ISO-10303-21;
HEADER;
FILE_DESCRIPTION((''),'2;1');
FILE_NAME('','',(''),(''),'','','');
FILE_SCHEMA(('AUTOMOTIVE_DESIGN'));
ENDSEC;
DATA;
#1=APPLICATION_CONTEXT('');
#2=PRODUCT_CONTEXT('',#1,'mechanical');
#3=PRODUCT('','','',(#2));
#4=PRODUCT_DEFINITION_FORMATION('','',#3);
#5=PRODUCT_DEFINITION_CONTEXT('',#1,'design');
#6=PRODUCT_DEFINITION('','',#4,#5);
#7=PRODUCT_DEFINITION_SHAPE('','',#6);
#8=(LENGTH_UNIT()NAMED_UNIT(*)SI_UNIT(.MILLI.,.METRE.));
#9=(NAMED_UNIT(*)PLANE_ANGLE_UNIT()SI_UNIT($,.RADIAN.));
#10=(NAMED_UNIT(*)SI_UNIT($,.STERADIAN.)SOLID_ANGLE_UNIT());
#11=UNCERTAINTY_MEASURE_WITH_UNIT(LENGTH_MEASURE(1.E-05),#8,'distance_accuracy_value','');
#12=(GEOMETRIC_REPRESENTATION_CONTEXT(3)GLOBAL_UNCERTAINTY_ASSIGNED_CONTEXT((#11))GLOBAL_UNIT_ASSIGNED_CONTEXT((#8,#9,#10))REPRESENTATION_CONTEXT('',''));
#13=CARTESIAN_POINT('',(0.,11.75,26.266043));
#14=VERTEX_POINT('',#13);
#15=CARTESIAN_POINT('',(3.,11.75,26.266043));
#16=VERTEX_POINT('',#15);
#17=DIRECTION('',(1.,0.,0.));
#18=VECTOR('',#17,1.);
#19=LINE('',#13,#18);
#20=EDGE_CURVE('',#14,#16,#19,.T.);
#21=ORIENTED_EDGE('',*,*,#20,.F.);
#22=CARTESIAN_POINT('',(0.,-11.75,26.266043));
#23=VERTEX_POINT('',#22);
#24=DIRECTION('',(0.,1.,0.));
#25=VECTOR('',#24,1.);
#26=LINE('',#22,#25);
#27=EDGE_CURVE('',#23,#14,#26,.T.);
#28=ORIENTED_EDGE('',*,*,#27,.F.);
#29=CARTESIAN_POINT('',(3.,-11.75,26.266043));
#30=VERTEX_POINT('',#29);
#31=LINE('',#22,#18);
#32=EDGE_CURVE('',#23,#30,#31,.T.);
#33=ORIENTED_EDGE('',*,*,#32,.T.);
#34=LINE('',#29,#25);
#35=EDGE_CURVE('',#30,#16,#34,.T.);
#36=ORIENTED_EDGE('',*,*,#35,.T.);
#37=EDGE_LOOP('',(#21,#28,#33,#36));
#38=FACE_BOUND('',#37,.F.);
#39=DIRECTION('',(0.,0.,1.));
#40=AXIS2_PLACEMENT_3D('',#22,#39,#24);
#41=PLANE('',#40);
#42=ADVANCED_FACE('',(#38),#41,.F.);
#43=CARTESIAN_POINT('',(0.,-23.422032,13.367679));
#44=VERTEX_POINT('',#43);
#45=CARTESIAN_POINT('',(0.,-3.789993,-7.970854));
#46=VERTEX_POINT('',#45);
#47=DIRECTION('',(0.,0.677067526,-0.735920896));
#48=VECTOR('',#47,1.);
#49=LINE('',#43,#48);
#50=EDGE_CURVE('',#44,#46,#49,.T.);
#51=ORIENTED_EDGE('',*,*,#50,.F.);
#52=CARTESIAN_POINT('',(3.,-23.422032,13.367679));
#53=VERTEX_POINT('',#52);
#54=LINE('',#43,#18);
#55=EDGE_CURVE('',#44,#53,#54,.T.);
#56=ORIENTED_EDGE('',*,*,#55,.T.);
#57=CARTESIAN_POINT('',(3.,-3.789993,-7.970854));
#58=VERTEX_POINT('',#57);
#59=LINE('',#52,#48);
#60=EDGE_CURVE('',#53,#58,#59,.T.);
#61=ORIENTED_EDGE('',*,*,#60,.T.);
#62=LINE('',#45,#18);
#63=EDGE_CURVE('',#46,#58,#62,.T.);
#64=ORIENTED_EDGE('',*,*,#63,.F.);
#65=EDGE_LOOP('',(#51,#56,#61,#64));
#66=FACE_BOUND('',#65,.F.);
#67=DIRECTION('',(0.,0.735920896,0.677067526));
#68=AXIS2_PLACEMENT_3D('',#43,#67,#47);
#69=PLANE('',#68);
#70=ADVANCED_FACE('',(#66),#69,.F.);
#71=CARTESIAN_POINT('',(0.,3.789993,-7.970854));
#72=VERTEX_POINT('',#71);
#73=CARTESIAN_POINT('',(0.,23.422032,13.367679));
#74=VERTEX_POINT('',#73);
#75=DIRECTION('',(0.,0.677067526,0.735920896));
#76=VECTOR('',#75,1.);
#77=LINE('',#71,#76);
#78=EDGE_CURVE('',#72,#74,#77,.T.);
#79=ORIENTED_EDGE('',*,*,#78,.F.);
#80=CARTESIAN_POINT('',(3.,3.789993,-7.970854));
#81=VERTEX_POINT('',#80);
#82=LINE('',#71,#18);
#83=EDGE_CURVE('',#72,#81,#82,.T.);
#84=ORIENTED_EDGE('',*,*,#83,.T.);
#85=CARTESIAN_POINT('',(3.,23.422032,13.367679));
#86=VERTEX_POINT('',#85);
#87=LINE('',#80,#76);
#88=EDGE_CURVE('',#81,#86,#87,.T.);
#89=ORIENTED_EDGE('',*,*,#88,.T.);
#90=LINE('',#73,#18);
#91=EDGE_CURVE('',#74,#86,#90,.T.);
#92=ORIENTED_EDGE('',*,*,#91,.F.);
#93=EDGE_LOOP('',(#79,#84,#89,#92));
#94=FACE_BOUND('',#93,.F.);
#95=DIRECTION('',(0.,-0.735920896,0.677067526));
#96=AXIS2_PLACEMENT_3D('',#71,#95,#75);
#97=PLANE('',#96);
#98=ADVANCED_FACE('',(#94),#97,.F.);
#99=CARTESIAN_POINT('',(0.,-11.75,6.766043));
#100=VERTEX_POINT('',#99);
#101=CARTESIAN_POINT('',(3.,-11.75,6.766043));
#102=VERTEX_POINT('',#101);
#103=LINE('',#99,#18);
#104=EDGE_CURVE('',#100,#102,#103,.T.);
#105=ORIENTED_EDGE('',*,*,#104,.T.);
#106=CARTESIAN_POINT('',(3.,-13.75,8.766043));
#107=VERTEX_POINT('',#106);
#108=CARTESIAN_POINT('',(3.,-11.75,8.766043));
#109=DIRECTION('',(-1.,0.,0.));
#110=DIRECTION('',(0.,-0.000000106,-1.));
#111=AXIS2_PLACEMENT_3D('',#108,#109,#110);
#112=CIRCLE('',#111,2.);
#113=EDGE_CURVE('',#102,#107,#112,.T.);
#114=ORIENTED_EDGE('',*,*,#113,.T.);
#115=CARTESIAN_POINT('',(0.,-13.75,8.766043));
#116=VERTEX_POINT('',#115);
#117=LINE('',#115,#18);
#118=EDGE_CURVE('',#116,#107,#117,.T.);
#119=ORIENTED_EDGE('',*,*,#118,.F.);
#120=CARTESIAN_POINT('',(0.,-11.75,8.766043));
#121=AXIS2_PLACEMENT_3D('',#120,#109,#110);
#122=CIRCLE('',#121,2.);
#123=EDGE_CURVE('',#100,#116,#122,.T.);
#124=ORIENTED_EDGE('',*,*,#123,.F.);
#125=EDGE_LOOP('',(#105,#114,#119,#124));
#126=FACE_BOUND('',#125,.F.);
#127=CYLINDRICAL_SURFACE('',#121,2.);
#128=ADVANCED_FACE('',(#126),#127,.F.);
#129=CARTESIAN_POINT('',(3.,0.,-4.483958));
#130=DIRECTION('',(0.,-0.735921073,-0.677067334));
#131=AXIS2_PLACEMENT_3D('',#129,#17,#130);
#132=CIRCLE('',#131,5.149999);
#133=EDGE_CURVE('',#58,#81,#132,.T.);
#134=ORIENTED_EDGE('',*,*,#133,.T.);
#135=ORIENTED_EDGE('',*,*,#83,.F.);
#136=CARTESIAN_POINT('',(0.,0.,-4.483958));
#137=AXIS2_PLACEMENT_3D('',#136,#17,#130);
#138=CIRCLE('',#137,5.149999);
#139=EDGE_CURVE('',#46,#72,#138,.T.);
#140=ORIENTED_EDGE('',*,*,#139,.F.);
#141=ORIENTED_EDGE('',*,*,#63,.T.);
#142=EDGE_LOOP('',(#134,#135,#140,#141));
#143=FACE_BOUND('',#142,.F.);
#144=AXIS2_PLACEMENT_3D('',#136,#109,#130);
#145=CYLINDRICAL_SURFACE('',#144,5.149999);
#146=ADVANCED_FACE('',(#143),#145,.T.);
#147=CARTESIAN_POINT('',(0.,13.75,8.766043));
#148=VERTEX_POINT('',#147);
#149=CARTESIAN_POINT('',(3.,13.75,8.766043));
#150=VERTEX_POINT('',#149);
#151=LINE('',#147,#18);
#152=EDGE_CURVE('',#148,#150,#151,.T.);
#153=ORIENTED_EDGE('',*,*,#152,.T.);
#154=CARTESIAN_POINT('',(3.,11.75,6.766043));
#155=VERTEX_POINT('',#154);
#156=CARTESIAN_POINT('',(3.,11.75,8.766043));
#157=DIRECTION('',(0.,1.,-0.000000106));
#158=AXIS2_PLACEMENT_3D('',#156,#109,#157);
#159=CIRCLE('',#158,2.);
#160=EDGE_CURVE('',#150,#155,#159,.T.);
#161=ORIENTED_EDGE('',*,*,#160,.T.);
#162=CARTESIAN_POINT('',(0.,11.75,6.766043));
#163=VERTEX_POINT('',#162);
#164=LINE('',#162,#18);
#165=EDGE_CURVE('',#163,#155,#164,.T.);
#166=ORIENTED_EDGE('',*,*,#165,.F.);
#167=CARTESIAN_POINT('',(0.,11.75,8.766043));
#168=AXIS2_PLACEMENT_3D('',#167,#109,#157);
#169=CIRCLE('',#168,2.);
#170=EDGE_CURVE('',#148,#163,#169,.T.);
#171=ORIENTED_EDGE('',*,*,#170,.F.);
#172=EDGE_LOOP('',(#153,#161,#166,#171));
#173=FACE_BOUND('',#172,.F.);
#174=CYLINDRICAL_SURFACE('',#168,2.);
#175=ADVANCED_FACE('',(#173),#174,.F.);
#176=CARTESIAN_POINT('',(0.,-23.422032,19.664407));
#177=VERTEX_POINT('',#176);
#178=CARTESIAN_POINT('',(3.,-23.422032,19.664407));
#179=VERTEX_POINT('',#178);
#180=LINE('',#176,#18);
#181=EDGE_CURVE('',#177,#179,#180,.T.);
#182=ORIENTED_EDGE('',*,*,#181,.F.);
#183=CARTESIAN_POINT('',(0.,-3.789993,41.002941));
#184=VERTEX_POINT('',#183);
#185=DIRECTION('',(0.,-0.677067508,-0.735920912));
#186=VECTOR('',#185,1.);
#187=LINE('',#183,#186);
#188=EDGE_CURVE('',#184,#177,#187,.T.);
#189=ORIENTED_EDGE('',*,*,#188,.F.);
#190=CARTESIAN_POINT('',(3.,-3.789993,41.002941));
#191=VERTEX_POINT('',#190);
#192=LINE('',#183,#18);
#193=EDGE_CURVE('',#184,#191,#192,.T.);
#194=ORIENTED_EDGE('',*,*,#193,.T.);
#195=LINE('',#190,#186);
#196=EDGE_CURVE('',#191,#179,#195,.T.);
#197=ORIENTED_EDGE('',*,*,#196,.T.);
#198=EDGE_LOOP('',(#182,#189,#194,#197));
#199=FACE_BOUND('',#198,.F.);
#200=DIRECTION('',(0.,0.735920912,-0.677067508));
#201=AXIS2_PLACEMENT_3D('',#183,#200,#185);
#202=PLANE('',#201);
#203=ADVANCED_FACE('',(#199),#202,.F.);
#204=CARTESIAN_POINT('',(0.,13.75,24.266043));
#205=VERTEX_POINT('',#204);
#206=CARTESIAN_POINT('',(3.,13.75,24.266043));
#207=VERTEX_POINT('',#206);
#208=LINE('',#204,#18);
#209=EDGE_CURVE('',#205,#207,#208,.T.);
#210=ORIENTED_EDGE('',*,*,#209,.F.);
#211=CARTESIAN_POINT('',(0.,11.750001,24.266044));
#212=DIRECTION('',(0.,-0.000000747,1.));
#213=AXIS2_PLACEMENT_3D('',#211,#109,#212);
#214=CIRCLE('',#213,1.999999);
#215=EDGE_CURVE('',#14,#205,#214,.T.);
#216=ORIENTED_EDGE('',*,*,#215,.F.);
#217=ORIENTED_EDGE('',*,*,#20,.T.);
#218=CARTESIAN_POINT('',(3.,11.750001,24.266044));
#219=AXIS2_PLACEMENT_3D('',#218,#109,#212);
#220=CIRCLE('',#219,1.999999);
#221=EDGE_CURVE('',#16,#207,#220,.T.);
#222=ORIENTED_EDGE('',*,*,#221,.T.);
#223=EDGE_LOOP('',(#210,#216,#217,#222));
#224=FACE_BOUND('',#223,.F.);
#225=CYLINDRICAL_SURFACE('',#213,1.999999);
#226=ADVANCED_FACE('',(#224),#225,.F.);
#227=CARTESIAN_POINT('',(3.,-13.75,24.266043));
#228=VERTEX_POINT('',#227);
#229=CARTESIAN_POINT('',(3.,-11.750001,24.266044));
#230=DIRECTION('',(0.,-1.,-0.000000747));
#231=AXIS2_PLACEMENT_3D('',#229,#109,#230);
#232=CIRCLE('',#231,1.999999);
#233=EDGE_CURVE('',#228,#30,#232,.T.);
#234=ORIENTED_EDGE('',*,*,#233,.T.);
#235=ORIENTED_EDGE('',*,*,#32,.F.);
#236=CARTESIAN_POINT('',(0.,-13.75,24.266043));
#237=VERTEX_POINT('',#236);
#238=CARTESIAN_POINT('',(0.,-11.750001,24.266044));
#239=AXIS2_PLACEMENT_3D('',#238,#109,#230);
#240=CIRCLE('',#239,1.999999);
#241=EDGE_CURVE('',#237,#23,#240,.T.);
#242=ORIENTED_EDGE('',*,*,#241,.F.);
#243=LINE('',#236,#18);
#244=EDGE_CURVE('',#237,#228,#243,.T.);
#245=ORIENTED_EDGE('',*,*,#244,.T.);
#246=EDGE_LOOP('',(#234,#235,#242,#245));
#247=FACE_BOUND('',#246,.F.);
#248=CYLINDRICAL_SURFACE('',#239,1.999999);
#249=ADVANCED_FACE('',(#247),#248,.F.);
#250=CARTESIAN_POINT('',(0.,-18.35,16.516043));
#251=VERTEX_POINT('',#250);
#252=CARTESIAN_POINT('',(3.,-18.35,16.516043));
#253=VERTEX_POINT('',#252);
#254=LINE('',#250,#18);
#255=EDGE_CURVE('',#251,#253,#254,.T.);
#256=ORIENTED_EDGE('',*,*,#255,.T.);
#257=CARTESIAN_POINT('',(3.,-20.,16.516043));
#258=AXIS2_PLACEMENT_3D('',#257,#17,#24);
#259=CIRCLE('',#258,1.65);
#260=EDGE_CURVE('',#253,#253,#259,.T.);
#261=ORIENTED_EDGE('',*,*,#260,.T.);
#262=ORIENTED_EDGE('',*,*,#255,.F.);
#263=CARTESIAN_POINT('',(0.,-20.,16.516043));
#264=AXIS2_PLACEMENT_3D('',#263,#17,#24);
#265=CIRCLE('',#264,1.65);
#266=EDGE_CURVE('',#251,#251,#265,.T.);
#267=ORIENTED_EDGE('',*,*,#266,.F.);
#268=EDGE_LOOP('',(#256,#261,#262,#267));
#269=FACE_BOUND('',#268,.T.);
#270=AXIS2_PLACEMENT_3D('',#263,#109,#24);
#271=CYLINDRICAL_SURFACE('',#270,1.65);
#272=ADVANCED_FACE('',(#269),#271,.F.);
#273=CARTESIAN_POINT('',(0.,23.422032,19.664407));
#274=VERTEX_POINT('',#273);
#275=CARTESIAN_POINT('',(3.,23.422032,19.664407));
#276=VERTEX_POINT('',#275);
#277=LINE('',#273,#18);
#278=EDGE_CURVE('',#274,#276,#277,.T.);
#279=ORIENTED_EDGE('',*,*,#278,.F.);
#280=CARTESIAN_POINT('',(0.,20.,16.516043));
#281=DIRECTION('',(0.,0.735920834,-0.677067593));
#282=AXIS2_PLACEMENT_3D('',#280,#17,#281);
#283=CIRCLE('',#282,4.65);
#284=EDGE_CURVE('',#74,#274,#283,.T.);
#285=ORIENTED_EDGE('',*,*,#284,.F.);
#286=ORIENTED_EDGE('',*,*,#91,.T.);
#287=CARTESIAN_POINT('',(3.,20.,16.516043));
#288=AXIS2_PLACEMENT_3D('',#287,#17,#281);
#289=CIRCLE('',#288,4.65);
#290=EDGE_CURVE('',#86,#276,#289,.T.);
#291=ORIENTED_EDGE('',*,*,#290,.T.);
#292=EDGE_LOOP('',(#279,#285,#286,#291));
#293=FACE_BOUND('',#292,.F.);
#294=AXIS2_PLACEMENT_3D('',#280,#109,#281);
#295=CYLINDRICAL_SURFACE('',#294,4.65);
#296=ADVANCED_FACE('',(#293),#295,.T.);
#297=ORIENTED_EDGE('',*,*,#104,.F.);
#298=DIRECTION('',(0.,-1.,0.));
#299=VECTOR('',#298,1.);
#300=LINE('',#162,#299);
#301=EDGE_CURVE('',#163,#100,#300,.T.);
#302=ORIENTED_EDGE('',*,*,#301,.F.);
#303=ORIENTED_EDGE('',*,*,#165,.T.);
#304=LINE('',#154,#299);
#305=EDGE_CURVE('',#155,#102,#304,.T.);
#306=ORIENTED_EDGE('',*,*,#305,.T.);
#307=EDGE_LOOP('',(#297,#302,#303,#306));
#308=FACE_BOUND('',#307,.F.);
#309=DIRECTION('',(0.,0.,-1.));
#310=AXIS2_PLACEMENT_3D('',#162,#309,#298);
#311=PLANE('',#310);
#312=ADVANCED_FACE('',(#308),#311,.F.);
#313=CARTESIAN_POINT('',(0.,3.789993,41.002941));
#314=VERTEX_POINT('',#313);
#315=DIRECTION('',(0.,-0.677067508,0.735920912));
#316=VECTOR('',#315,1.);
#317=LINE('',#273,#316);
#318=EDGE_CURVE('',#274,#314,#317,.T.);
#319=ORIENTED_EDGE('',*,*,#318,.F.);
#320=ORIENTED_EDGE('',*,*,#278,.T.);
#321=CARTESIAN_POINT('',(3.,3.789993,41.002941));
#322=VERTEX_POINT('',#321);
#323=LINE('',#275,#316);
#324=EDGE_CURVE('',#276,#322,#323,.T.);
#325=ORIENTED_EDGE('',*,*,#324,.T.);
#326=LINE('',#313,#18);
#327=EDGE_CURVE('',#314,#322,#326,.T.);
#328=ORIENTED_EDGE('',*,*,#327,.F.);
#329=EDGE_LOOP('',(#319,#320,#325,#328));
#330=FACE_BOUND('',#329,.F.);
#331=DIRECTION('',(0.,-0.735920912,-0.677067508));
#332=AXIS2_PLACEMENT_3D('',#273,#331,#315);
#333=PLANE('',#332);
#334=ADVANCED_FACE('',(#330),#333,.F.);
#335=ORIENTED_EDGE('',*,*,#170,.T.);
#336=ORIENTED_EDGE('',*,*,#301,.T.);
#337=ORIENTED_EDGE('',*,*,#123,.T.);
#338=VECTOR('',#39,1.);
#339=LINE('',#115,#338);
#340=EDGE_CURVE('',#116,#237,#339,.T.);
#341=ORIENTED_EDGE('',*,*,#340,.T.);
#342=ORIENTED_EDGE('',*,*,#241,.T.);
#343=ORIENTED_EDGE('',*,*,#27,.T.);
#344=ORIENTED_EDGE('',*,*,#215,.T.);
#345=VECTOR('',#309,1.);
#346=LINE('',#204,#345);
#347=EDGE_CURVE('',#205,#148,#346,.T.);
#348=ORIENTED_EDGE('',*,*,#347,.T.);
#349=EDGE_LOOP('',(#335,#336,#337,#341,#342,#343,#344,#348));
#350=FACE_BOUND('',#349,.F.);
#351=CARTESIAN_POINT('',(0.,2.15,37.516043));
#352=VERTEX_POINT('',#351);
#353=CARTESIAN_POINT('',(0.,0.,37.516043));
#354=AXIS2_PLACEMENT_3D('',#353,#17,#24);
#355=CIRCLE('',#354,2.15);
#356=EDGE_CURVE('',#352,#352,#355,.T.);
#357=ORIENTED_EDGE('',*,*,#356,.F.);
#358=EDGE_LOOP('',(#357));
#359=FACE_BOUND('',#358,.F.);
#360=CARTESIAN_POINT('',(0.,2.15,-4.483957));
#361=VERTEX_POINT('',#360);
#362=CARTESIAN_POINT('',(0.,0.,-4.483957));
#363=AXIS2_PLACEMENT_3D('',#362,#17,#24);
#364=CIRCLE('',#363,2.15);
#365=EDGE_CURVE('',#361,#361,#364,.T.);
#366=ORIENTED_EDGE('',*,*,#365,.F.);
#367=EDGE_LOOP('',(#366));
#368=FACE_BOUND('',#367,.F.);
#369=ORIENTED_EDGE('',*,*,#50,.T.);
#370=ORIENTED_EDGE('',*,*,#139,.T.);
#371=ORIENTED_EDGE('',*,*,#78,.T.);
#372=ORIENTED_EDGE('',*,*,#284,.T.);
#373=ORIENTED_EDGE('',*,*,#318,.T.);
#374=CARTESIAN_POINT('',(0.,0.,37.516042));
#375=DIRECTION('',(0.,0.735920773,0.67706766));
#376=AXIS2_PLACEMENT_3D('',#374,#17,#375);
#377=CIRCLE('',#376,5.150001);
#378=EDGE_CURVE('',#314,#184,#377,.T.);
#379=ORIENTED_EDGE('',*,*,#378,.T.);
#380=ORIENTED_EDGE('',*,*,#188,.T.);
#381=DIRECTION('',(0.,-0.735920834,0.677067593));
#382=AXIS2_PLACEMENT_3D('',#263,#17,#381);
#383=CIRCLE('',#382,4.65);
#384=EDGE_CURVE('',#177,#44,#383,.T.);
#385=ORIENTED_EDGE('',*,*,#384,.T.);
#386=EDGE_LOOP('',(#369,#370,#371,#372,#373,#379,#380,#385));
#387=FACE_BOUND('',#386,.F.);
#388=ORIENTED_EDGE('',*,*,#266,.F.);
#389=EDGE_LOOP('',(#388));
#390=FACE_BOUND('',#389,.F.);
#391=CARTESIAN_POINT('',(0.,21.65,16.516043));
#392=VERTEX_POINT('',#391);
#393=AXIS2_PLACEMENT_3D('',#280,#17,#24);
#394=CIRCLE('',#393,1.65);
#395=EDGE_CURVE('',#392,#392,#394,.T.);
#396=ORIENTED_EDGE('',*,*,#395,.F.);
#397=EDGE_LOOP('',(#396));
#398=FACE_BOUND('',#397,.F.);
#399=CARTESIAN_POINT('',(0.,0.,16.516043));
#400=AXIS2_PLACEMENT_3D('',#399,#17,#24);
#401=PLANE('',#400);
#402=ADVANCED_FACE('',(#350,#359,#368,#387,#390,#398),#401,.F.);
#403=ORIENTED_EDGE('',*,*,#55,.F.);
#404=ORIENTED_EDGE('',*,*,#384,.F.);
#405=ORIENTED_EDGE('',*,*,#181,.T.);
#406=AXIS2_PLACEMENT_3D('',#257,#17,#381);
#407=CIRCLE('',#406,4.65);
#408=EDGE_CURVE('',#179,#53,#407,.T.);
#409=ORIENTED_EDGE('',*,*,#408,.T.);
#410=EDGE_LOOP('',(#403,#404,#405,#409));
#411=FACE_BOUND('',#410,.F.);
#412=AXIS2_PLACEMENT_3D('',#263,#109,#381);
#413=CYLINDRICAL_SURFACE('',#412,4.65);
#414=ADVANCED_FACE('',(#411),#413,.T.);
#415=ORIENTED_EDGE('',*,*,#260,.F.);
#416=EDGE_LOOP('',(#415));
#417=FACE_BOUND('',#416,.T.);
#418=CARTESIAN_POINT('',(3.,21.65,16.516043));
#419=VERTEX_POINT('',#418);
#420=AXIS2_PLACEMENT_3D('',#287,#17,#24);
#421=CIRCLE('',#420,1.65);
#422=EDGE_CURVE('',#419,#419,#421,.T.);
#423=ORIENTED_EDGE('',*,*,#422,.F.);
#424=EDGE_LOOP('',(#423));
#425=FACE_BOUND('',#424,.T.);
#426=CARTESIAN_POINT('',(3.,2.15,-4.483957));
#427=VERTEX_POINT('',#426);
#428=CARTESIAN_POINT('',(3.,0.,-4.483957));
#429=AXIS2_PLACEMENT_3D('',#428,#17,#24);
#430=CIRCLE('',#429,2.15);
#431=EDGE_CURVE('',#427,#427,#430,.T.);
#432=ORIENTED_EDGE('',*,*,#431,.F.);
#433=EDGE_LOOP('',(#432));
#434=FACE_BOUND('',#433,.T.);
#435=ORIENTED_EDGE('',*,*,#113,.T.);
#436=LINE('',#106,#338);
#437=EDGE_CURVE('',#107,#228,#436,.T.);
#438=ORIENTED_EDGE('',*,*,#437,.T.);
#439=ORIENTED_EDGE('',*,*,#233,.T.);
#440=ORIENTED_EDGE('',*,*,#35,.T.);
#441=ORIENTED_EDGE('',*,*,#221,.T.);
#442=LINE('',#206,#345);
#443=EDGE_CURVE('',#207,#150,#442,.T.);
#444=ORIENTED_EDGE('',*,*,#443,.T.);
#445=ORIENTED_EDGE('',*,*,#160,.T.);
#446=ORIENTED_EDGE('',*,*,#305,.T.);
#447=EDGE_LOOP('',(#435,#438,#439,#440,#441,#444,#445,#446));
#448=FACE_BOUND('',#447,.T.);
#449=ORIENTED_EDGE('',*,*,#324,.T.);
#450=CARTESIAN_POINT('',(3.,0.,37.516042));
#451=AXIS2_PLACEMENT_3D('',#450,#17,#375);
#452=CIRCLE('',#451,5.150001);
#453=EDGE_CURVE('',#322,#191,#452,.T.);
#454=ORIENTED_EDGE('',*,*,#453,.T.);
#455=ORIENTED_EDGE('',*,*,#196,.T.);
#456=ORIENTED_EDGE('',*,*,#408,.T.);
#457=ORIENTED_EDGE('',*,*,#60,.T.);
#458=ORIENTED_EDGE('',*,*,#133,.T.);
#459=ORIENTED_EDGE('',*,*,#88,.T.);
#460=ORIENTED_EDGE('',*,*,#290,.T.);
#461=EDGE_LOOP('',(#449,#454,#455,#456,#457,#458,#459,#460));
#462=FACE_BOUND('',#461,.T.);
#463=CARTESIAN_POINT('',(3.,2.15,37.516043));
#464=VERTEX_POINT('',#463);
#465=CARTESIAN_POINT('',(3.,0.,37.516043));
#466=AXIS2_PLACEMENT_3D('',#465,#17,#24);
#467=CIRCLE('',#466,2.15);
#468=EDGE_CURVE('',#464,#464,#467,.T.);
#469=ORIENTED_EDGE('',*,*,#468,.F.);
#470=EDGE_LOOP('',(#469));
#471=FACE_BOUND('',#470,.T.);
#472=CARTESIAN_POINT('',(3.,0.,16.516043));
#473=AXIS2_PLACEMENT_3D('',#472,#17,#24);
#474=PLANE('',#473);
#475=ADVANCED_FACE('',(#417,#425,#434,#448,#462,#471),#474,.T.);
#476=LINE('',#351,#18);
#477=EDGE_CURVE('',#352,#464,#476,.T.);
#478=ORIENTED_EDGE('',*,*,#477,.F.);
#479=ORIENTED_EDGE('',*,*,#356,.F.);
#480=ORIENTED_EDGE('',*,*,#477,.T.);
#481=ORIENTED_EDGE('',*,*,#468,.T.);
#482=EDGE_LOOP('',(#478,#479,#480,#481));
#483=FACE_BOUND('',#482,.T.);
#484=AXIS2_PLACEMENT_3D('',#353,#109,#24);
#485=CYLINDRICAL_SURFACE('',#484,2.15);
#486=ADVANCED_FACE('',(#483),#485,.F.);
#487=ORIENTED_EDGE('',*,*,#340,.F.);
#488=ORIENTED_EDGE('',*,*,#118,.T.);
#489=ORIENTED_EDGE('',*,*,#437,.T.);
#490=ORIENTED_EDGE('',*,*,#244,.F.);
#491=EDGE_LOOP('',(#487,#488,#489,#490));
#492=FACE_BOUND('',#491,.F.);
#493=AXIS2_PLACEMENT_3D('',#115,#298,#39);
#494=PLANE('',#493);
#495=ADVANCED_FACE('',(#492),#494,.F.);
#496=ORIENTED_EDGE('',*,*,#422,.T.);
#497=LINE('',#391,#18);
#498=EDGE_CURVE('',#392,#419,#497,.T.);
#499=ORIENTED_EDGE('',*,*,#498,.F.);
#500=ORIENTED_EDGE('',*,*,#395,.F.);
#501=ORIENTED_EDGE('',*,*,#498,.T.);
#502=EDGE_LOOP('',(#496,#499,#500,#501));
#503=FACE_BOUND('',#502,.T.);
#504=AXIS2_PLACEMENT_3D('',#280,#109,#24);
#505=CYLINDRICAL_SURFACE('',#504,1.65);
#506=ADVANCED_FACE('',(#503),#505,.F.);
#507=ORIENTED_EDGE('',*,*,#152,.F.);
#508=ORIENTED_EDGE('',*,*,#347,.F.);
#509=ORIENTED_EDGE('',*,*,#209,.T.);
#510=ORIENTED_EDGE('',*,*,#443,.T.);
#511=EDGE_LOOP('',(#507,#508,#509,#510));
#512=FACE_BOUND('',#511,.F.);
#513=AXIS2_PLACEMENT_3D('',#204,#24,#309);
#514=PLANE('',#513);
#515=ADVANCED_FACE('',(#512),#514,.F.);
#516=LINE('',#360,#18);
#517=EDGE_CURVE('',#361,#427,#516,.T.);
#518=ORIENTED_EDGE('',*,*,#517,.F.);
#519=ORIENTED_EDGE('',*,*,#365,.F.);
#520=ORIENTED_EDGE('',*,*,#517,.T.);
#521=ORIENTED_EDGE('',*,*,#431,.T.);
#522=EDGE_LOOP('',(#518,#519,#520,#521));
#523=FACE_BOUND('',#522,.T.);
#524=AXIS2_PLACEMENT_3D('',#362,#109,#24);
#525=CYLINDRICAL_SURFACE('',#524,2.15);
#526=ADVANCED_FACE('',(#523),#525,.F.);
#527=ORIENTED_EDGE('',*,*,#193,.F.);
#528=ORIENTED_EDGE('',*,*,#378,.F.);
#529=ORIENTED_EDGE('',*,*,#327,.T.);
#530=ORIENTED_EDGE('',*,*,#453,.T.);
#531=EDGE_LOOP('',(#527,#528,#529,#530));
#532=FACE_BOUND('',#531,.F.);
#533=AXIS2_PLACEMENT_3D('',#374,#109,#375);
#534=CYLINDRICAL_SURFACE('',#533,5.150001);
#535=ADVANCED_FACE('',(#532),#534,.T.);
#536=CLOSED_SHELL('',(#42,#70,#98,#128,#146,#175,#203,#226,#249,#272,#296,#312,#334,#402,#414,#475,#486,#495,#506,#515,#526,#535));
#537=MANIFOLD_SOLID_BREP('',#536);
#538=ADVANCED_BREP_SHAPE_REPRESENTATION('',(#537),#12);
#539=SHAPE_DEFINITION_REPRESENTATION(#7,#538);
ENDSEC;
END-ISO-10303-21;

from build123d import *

# Parameters (mm, degrees)
F0_R     = 2.15
F0_R_2   = 1.65
F1_DEPTH = 3


with BuildPart() as f1:
    # F0 (on Right) → F1 (new body)
    with BuildSketch(Plane.YZ):
        with BuildLine():
            Line((23.422032, 19.664407), (3.789993, 41.002941))
            ThreePointArc((3.789993, 41.002941), (0, 42.666043), (-3.789993, 41.002941))
            Line((-3.789993, 41.002941), (-23.422032, 19.664407))
            ThreePointArc((-23.422032, 19.664407), (-24.65, 16.516043), (-23.422032, 13.367679))
            Line((-23.422032, 13.367679), (-3.789993, -7.970854))
            ThreePointArc((-3.789993, -7.970854), (0, -9.633957), (3.789993, -7.970854))
            Line((3.789993, -7.970854), (23.422032, 13.367679))
            ThreePointArc((23.422032, 13.367679), (24.65, 16.516043), (23.422032, 19.664407))
        make_face()
        with Locations((0, -4.483957)):
            Circle(F0_R, mode=Mode.SUBTRACT)
        with Locations((-20, 16.516043)):
            Circle(F0_R_2, mode=Mode.SUBTRACT)
        with BuildLine():
            ThreePointArc((-13.75, 24.266043), (-13.164214, 25.680257), (-11.75, 26.266043))
            Line((-11.75, 26.266043), (11.75, 26.266043))
            ThreePointArc((11.75, 26.266043), (13.164214, 25.680257), (13.75, 24.266043))
            Line((13.75, 24.266043), (13.75, 8.766043))
            ThreePointArc((13.75, 8.766043), (13.164214, 7.35183), (11.75, 6.766043))
            Line((11.75, 6.766043), (-11.75, 6.766043))
            ThreePointArc((-11.75, 6.766043), (-13.164214, 7.35183), (-13.75, 8.766043))
            Line((-13.75, 8.766043), (-13.75, 24.266043))
        make_face(mode=Mode.SUBTRACT)
        with Locations((0, 37.516043)):
            Circle(F0_R, mode=Mode.SUBTRACT)
        with Locations((20, 16.516043)):
            Circle(F0_R_2, mode=Mode.SUBTRACT)
    extrude(amount=F1_DEPTH)


solid = f1.part
